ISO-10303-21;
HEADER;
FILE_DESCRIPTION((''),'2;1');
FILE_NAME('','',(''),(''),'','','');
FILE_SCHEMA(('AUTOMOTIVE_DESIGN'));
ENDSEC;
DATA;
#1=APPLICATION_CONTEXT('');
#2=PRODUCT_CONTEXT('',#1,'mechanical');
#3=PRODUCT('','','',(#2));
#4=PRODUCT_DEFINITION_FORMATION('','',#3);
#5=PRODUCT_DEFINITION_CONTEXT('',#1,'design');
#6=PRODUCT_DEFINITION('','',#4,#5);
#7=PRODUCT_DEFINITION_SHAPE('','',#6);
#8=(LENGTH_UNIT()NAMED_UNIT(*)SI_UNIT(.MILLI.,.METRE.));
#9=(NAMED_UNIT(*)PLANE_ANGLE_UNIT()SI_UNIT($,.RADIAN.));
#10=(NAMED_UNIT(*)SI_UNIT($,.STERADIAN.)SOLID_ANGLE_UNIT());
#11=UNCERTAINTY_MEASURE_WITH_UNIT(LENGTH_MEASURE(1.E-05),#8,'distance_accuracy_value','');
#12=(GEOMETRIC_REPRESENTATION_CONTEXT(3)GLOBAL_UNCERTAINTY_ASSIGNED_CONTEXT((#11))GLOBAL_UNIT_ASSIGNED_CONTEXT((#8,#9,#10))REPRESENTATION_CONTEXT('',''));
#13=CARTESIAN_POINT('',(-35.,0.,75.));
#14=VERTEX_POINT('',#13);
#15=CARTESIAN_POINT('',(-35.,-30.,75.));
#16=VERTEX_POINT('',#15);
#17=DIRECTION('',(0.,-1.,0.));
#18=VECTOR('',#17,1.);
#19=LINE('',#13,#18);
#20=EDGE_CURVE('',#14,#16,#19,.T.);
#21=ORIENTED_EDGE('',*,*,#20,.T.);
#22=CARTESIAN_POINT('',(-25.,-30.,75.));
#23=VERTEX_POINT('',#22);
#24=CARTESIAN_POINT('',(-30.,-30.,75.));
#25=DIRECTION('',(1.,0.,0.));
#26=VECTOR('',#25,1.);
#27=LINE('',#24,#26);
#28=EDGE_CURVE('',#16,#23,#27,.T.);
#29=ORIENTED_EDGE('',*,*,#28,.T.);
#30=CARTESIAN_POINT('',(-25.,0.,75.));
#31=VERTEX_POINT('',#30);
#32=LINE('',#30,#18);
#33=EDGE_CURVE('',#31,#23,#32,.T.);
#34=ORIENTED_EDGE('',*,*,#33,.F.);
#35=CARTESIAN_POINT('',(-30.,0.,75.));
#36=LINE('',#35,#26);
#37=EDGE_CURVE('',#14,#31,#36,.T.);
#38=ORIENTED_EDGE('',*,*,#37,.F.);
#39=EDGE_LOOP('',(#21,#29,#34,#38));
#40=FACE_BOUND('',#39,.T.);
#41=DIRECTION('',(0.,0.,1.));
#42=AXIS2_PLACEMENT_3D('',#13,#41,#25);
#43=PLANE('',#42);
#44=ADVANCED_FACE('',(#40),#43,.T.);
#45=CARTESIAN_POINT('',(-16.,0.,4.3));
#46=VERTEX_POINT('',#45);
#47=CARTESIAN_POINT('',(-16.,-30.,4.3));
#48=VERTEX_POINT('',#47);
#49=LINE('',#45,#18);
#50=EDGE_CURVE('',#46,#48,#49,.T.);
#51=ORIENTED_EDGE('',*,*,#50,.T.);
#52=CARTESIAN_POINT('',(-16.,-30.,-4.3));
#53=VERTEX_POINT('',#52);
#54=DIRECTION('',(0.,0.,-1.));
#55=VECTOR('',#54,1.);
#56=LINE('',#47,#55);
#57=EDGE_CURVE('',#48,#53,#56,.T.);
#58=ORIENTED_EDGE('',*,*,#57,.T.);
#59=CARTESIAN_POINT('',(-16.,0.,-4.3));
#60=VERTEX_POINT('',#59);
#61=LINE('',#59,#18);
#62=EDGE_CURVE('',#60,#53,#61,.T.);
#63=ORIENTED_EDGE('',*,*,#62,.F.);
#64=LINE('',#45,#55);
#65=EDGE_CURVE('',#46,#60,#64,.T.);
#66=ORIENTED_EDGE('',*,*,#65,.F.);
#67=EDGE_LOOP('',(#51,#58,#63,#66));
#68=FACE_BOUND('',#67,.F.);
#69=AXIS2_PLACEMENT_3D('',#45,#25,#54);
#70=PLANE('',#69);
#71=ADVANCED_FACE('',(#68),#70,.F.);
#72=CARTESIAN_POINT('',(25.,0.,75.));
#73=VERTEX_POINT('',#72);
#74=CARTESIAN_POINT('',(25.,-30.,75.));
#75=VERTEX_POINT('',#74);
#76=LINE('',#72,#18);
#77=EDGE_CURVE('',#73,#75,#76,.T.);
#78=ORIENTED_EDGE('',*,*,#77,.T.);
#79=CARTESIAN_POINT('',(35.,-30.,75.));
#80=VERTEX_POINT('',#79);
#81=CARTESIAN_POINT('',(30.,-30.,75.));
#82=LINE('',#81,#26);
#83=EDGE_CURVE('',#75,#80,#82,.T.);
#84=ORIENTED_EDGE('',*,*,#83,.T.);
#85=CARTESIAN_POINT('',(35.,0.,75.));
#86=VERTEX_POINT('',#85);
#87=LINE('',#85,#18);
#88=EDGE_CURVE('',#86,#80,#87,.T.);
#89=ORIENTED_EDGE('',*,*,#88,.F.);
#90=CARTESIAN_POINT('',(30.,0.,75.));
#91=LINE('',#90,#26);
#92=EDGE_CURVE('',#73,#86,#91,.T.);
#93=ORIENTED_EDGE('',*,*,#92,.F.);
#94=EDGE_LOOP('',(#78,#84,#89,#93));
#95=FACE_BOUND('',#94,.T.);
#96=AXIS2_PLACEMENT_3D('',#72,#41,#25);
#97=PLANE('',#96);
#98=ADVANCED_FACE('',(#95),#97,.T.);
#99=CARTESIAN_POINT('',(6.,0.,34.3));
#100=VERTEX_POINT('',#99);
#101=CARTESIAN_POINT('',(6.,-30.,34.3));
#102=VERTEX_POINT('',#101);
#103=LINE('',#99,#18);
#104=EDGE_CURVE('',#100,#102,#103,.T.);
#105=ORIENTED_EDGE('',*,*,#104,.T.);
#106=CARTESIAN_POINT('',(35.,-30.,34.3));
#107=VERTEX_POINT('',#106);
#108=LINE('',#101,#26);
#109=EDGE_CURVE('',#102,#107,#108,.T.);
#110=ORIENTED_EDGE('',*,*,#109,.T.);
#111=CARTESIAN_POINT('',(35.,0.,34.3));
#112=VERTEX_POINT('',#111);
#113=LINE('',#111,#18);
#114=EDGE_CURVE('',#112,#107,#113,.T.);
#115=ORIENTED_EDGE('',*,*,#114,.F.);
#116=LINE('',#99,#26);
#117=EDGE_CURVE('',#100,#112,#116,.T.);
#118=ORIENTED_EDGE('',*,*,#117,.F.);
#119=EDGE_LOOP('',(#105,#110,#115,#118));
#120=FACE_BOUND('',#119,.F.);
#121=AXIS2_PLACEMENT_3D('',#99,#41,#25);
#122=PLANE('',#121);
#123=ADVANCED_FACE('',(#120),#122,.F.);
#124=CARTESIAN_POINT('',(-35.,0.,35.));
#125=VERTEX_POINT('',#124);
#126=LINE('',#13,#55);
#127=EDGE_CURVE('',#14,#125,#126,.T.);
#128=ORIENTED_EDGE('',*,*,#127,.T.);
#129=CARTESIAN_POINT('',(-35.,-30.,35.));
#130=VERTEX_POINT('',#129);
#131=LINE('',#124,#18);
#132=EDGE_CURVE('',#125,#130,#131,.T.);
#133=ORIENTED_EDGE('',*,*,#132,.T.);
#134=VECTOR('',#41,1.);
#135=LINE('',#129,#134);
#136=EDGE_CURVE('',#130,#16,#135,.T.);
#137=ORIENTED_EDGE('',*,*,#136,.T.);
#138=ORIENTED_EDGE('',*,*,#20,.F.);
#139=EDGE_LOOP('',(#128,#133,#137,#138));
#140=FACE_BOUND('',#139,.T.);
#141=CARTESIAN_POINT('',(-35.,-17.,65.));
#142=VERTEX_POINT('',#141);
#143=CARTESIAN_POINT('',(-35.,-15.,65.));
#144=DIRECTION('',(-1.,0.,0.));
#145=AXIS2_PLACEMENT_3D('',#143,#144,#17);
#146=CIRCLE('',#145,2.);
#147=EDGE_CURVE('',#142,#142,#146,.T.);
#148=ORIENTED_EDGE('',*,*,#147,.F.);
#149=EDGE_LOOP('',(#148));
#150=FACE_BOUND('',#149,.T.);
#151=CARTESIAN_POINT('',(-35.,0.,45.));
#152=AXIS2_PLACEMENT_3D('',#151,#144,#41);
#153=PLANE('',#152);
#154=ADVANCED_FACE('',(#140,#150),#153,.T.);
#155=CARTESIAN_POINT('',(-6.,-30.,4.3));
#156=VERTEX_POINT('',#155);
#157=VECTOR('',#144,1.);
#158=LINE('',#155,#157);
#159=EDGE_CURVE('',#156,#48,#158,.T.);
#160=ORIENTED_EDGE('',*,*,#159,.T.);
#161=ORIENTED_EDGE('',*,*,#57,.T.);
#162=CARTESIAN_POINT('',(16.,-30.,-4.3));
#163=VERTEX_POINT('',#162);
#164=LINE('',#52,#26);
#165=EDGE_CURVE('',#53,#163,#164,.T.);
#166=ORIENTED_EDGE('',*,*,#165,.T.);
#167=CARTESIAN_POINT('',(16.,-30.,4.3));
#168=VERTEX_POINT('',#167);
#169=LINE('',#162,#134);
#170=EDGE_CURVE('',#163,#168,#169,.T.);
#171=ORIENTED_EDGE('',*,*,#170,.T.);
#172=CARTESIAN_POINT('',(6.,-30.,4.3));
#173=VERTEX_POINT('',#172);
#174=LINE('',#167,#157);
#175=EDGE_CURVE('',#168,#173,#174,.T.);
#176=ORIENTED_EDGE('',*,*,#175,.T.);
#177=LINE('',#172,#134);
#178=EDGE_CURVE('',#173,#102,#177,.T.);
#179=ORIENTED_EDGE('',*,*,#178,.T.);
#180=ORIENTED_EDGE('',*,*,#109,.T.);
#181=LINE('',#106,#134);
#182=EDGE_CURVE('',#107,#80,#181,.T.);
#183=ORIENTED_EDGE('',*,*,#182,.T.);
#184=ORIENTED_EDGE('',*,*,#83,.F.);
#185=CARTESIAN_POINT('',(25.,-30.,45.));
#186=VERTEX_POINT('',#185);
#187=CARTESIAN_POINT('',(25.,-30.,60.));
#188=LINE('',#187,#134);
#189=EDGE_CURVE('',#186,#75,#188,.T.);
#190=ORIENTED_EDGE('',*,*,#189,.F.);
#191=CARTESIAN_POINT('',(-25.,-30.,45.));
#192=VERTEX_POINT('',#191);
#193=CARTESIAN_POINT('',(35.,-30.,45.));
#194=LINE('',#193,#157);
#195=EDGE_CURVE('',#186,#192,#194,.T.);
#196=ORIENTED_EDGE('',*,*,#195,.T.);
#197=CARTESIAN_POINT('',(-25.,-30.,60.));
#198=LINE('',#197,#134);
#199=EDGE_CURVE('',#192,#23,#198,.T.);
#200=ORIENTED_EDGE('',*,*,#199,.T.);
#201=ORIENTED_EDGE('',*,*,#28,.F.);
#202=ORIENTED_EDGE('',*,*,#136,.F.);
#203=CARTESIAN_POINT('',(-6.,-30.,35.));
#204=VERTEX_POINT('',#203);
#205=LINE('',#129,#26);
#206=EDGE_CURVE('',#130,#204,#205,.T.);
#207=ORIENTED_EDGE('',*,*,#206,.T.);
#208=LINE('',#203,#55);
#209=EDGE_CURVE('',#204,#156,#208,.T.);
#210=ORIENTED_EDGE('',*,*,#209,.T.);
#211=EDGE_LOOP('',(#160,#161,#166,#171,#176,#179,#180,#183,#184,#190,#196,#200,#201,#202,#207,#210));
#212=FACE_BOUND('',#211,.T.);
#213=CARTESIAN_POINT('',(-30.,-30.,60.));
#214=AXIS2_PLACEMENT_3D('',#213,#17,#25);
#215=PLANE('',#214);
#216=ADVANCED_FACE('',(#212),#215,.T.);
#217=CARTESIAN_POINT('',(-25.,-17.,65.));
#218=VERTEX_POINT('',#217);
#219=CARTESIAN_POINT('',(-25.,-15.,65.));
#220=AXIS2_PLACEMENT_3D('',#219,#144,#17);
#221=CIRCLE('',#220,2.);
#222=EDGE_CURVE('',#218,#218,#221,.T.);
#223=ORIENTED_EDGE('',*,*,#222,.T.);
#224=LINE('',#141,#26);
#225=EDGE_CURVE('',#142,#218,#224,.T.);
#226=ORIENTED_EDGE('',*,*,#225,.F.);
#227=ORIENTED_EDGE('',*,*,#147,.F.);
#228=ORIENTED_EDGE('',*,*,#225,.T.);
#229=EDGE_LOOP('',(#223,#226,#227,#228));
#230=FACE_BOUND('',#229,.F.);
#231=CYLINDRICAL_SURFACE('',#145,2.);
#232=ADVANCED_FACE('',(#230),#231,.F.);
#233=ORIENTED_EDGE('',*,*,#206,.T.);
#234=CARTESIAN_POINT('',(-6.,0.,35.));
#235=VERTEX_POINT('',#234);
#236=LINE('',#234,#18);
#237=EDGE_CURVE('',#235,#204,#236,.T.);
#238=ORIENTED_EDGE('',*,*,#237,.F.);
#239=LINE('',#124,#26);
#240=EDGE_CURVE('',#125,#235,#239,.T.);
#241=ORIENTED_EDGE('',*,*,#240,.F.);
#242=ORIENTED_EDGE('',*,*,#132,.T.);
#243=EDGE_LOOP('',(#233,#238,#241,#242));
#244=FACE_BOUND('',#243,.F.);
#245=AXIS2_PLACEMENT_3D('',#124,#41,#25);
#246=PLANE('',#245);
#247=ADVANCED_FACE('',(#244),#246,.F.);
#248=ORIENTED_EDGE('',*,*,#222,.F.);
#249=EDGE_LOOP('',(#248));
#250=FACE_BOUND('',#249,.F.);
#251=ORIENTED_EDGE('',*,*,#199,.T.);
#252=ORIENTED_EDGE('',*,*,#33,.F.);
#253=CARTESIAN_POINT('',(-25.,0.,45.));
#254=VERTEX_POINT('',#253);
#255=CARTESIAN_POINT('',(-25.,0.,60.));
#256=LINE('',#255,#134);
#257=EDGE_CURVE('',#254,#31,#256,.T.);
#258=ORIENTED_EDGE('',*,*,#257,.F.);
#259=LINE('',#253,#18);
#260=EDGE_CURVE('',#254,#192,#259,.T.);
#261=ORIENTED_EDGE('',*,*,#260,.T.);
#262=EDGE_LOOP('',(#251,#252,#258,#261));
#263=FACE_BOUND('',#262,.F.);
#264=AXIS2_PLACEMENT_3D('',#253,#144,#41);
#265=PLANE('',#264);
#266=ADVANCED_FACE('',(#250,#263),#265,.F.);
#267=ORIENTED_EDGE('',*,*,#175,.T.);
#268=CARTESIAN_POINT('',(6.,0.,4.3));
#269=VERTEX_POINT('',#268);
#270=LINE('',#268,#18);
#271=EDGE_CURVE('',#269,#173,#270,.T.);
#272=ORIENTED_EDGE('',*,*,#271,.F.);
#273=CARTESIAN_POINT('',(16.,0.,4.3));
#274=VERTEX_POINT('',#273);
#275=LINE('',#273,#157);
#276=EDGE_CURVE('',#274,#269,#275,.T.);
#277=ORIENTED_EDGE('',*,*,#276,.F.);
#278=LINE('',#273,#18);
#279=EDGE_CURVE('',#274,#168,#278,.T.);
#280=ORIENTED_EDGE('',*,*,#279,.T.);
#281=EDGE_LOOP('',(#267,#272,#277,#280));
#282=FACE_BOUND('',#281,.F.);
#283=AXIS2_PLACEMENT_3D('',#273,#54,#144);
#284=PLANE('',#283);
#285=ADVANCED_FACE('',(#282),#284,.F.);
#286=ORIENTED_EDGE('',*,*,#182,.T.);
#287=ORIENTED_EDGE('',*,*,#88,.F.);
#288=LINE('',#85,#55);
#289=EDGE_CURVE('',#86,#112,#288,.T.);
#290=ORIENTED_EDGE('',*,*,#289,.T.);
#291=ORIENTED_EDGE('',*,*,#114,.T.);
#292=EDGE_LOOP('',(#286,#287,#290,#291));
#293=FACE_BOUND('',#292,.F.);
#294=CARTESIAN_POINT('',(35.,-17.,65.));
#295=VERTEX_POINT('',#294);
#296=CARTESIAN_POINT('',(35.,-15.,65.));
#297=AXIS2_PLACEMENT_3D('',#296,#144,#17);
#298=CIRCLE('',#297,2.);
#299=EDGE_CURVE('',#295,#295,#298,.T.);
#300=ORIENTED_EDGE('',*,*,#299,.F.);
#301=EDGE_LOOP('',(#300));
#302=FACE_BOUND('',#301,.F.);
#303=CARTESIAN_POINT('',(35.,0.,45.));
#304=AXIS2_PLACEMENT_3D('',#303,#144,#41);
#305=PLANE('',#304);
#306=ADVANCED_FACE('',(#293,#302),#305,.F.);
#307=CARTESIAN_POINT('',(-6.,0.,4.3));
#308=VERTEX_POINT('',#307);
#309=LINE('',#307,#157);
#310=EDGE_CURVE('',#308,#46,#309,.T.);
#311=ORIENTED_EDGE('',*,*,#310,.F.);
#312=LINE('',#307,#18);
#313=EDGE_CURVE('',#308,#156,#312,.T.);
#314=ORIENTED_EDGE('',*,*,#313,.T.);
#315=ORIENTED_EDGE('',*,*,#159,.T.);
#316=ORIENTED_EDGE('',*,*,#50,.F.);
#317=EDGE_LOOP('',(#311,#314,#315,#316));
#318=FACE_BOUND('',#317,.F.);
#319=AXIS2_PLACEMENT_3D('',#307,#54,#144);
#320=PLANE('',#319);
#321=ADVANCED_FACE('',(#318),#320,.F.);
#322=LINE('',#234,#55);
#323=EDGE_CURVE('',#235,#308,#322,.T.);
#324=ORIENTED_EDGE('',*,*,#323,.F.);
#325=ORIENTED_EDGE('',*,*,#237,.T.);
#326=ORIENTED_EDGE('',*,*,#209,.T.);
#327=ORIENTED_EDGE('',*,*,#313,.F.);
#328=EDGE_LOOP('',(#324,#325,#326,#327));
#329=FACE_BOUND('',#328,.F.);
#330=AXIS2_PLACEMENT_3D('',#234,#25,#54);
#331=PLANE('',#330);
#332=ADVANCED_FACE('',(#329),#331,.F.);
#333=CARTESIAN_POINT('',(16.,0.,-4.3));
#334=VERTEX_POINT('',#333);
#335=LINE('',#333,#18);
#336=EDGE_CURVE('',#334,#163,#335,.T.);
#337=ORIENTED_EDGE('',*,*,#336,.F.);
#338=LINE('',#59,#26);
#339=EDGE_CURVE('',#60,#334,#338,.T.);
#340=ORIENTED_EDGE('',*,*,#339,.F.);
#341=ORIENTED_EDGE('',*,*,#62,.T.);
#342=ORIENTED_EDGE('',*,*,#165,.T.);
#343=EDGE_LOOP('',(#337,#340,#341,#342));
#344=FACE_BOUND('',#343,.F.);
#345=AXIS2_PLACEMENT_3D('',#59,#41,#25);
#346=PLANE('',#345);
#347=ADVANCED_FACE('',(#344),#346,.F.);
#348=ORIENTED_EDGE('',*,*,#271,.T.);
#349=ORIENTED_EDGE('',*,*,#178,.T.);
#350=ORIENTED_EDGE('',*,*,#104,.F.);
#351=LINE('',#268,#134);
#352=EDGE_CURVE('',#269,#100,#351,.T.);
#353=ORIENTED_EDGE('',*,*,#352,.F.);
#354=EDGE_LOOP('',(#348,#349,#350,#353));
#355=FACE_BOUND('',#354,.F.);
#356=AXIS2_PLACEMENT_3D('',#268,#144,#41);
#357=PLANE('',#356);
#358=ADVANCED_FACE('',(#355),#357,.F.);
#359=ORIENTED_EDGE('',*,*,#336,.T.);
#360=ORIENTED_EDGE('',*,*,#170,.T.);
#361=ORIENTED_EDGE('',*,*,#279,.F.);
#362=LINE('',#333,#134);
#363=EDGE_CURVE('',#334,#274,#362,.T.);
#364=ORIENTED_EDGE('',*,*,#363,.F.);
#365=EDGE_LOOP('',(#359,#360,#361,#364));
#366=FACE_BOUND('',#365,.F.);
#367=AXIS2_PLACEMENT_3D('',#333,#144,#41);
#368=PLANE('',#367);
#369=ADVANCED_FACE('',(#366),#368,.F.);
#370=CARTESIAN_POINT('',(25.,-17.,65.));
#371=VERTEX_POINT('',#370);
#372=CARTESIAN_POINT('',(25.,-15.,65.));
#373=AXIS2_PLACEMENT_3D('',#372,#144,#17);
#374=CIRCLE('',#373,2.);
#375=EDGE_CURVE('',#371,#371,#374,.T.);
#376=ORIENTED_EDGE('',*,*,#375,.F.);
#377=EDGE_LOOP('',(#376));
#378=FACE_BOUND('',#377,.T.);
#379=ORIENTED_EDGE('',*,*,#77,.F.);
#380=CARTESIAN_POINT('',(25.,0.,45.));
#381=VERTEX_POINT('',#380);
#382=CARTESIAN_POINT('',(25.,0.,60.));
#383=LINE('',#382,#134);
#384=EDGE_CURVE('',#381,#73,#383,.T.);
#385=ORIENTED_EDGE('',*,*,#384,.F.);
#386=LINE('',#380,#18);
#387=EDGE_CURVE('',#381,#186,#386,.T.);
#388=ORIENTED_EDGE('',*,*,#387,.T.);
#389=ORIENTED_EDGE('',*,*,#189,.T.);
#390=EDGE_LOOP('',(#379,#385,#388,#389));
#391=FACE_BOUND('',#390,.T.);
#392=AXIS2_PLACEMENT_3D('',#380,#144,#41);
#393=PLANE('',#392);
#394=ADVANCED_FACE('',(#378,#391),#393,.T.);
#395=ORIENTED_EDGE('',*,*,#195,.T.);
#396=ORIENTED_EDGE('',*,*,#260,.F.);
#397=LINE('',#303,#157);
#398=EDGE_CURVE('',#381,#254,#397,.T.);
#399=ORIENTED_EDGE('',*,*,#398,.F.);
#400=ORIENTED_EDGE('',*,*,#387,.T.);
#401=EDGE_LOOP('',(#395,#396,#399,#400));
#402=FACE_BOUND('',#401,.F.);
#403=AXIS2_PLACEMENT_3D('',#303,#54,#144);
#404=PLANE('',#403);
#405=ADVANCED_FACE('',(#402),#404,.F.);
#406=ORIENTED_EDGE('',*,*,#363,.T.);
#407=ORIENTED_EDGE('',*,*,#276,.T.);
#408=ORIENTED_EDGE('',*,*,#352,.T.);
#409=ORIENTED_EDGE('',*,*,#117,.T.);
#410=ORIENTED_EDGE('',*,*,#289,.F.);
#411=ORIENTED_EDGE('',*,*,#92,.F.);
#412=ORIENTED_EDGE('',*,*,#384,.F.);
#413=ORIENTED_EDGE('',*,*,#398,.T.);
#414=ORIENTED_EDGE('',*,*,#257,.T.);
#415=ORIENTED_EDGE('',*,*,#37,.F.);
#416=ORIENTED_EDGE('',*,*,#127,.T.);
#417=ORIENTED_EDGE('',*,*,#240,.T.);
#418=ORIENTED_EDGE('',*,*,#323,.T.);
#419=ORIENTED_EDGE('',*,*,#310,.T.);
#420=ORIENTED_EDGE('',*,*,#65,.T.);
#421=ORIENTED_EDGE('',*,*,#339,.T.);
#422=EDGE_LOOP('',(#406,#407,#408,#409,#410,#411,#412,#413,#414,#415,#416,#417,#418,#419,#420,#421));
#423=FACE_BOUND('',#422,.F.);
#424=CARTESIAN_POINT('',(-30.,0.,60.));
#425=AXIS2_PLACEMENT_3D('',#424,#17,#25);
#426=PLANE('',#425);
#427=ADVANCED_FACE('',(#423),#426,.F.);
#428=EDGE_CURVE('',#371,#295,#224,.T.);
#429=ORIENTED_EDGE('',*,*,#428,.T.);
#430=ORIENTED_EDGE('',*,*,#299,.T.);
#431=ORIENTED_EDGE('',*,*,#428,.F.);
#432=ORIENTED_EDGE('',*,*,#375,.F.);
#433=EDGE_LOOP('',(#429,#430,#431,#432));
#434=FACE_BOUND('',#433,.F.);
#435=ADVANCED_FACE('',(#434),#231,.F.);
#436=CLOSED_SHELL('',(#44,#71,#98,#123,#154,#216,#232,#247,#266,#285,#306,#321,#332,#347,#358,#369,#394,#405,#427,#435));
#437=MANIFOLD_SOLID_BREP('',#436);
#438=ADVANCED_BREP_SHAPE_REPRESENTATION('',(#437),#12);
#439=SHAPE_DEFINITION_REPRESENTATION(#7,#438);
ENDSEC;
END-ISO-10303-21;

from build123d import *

# Parameters (mm, degrees)
F1_DEPTH = 30
F0_W     = 10
F0_H     = 30
F2_DEPTH = 30
F3_DEPTH = 30
F4_R     = 2
F5_DEPTH = 70.001


with BuildPart() as f1:
    # F0 (on Front) → F1 (new body)
    with BuildSketch(Plane.XZ):
        Polygon((-16, -4.3), (16, -4.3), (16, 4.3), (6, 4.3), (6, 34.3), (35, 34.3), (35, 45), (25, 45), (-25, 45), (-35, 45), (-35, 35), (-6, 35), (-6, 4.3), (-16, 4.3), align=None)
    extrude(amount=F1_DEPTH)

    # F0 (on Front) → F2 (join)
    with BuildSketch(Plane.XZ):
        with Locations((30, 60)):
            Rectangle(F0_W, F0_H)
    extrude(amount=F2_DEPTH)

    # F0 (on Front) → F3 (join)
    with BuildSketch(Plane.XZ):
        with Locations((-30, 60)):
            Rectangle(F0_W, F0_H)
    extrude(amount=F3_DEPTH)

    # F4 (on face) → F5 (cut, through all)
    with BuildSketch(Plane(origin=(-35, 0, 0), x_dir=(0, -1, 0), z_dir=(-1, 0, 0))):
        with Locations((15, 65)):
            Circle(F4_R)
    extrude(amount=-F5_DEPTH, mode=Mode.SUBTRACT)


solid = f1.part
